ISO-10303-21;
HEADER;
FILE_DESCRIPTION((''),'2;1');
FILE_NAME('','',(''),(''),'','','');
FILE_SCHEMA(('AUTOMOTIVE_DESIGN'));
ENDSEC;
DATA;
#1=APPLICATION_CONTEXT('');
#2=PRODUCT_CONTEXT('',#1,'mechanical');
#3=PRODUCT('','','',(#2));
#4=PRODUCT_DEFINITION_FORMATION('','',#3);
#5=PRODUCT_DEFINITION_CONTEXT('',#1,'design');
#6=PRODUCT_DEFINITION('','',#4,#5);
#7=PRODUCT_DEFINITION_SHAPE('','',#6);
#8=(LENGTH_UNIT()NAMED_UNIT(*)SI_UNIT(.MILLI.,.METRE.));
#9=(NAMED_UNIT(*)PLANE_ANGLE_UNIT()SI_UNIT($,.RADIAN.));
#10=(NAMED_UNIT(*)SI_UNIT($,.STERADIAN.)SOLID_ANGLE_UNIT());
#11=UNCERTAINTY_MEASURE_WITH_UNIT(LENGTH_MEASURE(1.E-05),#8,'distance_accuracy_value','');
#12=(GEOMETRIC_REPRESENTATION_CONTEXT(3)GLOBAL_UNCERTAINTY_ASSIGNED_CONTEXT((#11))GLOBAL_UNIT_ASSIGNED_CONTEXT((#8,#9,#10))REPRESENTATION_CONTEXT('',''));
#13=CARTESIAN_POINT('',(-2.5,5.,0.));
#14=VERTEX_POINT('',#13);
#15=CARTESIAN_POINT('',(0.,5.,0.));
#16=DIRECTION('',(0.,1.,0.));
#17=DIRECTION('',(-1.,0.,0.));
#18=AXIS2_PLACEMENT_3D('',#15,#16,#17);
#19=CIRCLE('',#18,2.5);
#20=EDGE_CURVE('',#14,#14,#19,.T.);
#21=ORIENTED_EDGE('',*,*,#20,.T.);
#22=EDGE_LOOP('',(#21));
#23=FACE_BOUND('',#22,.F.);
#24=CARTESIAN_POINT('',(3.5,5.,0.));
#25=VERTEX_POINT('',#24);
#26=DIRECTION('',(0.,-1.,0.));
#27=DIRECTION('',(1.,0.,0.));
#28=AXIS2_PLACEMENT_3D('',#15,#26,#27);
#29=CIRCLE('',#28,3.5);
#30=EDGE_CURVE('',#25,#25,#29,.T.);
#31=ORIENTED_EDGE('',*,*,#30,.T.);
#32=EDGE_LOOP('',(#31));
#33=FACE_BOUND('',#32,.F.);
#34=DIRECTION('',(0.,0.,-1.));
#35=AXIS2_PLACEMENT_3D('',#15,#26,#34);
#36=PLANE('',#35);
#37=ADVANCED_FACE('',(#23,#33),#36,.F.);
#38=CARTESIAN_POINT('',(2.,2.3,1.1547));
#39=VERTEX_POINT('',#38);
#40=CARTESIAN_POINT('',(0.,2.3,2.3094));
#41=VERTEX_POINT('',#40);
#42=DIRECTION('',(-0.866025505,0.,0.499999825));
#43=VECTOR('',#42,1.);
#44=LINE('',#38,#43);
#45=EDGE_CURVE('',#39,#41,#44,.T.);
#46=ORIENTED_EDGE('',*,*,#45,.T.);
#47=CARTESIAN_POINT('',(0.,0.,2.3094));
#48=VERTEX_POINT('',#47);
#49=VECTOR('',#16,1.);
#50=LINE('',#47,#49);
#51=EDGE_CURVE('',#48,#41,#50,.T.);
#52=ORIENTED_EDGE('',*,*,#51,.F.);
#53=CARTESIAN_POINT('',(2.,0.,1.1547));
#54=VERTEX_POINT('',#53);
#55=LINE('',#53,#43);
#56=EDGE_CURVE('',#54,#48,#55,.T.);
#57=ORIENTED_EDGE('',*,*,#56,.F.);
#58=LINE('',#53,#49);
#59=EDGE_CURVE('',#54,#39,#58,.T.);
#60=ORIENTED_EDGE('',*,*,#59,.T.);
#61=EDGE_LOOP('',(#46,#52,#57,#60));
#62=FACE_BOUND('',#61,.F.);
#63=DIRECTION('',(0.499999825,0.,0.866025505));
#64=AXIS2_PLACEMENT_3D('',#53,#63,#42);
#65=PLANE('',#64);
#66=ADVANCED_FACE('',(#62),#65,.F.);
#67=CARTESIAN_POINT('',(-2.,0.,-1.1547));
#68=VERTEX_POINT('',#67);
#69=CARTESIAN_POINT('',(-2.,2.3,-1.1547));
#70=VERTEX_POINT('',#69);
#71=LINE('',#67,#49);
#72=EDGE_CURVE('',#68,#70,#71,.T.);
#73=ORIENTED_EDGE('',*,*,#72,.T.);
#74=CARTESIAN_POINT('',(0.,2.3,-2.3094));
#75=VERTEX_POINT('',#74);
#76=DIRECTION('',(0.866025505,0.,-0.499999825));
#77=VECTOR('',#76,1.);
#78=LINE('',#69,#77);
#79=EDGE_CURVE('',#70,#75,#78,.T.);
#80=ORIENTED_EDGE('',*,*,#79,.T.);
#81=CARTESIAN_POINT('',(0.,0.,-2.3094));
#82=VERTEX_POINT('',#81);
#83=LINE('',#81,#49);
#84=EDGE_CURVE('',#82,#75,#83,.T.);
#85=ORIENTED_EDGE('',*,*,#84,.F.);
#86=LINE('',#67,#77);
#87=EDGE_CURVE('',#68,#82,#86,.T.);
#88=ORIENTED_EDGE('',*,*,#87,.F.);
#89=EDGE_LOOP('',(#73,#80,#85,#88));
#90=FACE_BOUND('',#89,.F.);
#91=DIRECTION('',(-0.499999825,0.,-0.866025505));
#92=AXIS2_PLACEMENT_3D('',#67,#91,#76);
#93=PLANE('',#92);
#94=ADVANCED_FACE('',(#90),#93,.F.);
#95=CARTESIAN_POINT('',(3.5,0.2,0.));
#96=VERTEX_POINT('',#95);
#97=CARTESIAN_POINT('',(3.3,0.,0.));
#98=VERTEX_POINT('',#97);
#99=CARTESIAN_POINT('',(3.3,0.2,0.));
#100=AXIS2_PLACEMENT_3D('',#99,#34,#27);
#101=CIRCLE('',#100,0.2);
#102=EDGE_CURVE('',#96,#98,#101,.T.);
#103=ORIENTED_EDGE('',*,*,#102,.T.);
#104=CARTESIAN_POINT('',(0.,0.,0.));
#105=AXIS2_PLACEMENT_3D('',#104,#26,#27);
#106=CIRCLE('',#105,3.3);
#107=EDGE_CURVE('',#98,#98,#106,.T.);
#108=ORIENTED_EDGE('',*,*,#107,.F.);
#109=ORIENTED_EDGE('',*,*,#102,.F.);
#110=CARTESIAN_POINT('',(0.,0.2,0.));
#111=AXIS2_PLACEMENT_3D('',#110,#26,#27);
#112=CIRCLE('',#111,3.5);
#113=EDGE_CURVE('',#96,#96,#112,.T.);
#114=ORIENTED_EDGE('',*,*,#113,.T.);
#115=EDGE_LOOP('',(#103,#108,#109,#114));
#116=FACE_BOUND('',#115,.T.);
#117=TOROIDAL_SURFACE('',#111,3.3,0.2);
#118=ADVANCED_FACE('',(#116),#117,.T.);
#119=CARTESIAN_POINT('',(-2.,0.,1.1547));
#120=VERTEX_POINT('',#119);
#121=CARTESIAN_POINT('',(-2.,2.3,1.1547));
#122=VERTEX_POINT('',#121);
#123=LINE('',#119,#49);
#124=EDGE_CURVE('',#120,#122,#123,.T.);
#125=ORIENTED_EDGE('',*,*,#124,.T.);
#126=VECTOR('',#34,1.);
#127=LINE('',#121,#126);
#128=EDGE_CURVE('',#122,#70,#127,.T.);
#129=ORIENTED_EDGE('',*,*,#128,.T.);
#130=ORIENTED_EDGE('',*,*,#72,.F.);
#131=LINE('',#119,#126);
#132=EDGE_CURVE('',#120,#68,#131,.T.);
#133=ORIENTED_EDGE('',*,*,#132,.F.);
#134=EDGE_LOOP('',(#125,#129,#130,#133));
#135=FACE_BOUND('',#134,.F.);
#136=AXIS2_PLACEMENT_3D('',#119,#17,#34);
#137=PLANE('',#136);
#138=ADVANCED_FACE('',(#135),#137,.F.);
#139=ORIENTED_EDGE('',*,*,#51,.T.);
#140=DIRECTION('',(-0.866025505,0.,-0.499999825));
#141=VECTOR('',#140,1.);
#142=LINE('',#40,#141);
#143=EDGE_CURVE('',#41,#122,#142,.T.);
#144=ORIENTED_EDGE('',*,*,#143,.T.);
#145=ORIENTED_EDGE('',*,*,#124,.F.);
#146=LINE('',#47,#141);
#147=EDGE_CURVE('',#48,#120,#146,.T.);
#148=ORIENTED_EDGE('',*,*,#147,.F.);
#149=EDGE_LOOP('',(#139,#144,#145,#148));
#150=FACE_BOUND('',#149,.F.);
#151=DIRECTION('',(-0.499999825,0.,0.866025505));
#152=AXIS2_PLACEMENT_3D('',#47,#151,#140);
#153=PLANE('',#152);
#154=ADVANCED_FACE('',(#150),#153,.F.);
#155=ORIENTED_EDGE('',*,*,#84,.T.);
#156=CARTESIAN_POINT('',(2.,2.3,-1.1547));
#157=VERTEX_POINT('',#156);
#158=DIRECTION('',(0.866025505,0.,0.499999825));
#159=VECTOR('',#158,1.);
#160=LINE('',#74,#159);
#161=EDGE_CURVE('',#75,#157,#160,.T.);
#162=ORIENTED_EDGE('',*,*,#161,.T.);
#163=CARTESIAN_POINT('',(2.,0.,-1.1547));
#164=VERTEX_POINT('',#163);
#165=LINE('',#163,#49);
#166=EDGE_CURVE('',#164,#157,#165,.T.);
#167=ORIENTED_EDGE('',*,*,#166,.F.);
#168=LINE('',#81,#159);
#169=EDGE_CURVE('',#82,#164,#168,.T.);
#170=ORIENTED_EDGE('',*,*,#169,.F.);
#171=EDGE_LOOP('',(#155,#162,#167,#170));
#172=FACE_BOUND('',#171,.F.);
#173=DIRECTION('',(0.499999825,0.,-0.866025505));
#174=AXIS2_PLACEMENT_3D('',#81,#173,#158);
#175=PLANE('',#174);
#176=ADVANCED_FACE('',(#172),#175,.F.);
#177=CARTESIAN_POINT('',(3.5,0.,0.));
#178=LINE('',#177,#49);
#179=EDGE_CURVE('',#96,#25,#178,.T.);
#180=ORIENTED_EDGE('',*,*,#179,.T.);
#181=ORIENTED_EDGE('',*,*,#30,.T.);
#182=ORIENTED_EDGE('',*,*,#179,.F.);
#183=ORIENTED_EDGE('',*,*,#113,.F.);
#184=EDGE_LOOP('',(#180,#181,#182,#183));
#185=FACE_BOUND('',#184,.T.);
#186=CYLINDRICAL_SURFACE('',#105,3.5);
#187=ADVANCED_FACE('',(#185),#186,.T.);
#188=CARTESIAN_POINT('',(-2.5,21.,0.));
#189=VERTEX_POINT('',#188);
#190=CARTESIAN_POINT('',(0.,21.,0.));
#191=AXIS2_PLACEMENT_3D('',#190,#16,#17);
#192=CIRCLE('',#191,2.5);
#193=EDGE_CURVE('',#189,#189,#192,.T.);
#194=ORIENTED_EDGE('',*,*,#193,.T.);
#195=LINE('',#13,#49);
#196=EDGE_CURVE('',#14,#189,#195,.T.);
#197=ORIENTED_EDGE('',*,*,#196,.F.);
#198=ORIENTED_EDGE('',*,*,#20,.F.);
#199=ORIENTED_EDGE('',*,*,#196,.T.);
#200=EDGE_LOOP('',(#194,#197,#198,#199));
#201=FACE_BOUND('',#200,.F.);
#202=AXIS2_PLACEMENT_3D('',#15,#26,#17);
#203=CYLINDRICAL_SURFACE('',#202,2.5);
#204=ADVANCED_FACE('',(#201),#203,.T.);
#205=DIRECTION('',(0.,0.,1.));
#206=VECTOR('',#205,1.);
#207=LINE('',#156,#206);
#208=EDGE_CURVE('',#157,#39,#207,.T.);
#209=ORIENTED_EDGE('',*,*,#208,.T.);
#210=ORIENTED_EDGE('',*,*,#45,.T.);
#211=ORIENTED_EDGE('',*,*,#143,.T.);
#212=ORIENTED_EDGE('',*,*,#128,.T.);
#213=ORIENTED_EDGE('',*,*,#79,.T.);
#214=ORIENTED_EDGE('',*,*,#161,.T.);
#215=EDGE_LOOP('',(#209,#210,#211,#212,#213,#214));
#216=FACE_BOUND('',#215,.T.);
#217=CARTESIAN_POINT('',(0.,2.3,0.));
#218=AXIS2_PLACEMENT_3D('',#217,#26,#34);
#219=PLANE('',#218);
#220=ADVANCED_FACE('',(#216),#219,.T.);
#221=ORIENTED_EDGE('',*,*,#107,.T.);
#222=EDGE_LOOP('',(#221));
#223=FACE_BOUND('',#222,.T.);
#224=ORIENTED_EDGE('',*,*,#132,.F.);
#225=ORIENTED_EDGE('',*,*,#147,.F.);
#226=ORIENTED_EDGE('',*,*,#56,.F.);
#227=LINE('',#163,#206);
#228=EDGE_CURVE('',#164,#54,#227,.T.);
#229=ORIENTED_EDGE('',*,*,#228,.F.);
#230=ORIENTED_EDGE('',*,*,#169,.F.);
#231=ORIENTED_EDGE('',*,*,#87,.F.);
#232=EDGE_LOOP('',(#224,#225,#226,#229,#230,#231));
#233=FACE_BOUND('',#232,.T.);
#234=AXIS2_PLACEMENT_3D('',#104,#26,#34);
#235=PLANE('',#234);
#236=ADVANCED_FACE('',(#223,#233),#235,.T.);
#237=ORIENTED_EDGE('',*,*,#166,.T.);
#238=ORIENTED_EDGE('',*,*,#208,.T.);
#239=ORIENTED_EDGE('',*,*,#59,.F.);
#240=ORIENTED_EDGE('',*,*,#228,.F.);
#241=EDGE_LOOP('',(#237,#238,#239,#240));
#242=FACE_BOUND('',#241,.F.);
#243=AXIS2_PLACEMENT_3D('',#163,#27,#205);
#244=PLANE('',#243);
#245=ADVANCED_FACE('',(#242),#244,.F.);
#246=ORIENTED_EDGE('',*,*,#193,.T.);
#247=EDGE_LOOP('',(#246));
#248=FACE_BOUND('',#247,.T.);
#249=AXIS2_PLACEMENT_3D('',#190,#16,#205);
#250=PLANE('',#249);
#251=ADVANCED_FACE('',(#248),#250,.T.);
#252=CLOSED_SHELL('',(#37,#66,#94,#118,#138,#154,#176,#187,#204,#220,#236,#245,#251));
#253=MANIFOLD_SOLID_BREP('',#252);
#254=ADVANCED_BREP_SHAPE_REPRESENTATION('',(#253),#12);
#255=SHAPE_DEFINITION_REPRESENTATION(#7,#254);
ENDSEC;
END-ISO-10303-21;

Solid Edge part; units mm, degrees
sketch "Sketch1" plane through (0, 0, 0) normal (0, -1, 0) x (1, 0, 0)
  circle A0 centre (0, 0) radius 3.5
extrude "Protrusion1" add sketch "Sketch1" against normal blind 5
sketch "Sketch2" plane through (0, 5, 0) normal (0, 1, 0) x (-1, 0, 0)
  circle A0 centre (0, 0) radius 2.5
extrude "ExtrudedProtrusion_2" add sketch "Sketch2" along normal blind 16
fillet "Round_1" radius 0.2 1 edges at (-3.5, 0, 0)
sketch "Sketch3" plane through (0, 0, 0) normal (0, -1, 0) x (1, 0, 0)
  line L0 (0, 2.3094) -> (-2, 1.1547)
  line L1 (-2, 1.1547) -> (-2, -1.1547)
  line L2 (-2, -1.1547) -> (0, -2.3094)
  line L3 (0, -2.3094) -> (2, -1.1547)
  line L4 (2, -1.1547) -> (2, 1.1547)
  line L5 (2, 1.1547) -> (0, 2.3094)
extrude "ExtrudedCutout_2" cut sketch "Sketch3" against normal blind 2.3
properties material "Steel"
